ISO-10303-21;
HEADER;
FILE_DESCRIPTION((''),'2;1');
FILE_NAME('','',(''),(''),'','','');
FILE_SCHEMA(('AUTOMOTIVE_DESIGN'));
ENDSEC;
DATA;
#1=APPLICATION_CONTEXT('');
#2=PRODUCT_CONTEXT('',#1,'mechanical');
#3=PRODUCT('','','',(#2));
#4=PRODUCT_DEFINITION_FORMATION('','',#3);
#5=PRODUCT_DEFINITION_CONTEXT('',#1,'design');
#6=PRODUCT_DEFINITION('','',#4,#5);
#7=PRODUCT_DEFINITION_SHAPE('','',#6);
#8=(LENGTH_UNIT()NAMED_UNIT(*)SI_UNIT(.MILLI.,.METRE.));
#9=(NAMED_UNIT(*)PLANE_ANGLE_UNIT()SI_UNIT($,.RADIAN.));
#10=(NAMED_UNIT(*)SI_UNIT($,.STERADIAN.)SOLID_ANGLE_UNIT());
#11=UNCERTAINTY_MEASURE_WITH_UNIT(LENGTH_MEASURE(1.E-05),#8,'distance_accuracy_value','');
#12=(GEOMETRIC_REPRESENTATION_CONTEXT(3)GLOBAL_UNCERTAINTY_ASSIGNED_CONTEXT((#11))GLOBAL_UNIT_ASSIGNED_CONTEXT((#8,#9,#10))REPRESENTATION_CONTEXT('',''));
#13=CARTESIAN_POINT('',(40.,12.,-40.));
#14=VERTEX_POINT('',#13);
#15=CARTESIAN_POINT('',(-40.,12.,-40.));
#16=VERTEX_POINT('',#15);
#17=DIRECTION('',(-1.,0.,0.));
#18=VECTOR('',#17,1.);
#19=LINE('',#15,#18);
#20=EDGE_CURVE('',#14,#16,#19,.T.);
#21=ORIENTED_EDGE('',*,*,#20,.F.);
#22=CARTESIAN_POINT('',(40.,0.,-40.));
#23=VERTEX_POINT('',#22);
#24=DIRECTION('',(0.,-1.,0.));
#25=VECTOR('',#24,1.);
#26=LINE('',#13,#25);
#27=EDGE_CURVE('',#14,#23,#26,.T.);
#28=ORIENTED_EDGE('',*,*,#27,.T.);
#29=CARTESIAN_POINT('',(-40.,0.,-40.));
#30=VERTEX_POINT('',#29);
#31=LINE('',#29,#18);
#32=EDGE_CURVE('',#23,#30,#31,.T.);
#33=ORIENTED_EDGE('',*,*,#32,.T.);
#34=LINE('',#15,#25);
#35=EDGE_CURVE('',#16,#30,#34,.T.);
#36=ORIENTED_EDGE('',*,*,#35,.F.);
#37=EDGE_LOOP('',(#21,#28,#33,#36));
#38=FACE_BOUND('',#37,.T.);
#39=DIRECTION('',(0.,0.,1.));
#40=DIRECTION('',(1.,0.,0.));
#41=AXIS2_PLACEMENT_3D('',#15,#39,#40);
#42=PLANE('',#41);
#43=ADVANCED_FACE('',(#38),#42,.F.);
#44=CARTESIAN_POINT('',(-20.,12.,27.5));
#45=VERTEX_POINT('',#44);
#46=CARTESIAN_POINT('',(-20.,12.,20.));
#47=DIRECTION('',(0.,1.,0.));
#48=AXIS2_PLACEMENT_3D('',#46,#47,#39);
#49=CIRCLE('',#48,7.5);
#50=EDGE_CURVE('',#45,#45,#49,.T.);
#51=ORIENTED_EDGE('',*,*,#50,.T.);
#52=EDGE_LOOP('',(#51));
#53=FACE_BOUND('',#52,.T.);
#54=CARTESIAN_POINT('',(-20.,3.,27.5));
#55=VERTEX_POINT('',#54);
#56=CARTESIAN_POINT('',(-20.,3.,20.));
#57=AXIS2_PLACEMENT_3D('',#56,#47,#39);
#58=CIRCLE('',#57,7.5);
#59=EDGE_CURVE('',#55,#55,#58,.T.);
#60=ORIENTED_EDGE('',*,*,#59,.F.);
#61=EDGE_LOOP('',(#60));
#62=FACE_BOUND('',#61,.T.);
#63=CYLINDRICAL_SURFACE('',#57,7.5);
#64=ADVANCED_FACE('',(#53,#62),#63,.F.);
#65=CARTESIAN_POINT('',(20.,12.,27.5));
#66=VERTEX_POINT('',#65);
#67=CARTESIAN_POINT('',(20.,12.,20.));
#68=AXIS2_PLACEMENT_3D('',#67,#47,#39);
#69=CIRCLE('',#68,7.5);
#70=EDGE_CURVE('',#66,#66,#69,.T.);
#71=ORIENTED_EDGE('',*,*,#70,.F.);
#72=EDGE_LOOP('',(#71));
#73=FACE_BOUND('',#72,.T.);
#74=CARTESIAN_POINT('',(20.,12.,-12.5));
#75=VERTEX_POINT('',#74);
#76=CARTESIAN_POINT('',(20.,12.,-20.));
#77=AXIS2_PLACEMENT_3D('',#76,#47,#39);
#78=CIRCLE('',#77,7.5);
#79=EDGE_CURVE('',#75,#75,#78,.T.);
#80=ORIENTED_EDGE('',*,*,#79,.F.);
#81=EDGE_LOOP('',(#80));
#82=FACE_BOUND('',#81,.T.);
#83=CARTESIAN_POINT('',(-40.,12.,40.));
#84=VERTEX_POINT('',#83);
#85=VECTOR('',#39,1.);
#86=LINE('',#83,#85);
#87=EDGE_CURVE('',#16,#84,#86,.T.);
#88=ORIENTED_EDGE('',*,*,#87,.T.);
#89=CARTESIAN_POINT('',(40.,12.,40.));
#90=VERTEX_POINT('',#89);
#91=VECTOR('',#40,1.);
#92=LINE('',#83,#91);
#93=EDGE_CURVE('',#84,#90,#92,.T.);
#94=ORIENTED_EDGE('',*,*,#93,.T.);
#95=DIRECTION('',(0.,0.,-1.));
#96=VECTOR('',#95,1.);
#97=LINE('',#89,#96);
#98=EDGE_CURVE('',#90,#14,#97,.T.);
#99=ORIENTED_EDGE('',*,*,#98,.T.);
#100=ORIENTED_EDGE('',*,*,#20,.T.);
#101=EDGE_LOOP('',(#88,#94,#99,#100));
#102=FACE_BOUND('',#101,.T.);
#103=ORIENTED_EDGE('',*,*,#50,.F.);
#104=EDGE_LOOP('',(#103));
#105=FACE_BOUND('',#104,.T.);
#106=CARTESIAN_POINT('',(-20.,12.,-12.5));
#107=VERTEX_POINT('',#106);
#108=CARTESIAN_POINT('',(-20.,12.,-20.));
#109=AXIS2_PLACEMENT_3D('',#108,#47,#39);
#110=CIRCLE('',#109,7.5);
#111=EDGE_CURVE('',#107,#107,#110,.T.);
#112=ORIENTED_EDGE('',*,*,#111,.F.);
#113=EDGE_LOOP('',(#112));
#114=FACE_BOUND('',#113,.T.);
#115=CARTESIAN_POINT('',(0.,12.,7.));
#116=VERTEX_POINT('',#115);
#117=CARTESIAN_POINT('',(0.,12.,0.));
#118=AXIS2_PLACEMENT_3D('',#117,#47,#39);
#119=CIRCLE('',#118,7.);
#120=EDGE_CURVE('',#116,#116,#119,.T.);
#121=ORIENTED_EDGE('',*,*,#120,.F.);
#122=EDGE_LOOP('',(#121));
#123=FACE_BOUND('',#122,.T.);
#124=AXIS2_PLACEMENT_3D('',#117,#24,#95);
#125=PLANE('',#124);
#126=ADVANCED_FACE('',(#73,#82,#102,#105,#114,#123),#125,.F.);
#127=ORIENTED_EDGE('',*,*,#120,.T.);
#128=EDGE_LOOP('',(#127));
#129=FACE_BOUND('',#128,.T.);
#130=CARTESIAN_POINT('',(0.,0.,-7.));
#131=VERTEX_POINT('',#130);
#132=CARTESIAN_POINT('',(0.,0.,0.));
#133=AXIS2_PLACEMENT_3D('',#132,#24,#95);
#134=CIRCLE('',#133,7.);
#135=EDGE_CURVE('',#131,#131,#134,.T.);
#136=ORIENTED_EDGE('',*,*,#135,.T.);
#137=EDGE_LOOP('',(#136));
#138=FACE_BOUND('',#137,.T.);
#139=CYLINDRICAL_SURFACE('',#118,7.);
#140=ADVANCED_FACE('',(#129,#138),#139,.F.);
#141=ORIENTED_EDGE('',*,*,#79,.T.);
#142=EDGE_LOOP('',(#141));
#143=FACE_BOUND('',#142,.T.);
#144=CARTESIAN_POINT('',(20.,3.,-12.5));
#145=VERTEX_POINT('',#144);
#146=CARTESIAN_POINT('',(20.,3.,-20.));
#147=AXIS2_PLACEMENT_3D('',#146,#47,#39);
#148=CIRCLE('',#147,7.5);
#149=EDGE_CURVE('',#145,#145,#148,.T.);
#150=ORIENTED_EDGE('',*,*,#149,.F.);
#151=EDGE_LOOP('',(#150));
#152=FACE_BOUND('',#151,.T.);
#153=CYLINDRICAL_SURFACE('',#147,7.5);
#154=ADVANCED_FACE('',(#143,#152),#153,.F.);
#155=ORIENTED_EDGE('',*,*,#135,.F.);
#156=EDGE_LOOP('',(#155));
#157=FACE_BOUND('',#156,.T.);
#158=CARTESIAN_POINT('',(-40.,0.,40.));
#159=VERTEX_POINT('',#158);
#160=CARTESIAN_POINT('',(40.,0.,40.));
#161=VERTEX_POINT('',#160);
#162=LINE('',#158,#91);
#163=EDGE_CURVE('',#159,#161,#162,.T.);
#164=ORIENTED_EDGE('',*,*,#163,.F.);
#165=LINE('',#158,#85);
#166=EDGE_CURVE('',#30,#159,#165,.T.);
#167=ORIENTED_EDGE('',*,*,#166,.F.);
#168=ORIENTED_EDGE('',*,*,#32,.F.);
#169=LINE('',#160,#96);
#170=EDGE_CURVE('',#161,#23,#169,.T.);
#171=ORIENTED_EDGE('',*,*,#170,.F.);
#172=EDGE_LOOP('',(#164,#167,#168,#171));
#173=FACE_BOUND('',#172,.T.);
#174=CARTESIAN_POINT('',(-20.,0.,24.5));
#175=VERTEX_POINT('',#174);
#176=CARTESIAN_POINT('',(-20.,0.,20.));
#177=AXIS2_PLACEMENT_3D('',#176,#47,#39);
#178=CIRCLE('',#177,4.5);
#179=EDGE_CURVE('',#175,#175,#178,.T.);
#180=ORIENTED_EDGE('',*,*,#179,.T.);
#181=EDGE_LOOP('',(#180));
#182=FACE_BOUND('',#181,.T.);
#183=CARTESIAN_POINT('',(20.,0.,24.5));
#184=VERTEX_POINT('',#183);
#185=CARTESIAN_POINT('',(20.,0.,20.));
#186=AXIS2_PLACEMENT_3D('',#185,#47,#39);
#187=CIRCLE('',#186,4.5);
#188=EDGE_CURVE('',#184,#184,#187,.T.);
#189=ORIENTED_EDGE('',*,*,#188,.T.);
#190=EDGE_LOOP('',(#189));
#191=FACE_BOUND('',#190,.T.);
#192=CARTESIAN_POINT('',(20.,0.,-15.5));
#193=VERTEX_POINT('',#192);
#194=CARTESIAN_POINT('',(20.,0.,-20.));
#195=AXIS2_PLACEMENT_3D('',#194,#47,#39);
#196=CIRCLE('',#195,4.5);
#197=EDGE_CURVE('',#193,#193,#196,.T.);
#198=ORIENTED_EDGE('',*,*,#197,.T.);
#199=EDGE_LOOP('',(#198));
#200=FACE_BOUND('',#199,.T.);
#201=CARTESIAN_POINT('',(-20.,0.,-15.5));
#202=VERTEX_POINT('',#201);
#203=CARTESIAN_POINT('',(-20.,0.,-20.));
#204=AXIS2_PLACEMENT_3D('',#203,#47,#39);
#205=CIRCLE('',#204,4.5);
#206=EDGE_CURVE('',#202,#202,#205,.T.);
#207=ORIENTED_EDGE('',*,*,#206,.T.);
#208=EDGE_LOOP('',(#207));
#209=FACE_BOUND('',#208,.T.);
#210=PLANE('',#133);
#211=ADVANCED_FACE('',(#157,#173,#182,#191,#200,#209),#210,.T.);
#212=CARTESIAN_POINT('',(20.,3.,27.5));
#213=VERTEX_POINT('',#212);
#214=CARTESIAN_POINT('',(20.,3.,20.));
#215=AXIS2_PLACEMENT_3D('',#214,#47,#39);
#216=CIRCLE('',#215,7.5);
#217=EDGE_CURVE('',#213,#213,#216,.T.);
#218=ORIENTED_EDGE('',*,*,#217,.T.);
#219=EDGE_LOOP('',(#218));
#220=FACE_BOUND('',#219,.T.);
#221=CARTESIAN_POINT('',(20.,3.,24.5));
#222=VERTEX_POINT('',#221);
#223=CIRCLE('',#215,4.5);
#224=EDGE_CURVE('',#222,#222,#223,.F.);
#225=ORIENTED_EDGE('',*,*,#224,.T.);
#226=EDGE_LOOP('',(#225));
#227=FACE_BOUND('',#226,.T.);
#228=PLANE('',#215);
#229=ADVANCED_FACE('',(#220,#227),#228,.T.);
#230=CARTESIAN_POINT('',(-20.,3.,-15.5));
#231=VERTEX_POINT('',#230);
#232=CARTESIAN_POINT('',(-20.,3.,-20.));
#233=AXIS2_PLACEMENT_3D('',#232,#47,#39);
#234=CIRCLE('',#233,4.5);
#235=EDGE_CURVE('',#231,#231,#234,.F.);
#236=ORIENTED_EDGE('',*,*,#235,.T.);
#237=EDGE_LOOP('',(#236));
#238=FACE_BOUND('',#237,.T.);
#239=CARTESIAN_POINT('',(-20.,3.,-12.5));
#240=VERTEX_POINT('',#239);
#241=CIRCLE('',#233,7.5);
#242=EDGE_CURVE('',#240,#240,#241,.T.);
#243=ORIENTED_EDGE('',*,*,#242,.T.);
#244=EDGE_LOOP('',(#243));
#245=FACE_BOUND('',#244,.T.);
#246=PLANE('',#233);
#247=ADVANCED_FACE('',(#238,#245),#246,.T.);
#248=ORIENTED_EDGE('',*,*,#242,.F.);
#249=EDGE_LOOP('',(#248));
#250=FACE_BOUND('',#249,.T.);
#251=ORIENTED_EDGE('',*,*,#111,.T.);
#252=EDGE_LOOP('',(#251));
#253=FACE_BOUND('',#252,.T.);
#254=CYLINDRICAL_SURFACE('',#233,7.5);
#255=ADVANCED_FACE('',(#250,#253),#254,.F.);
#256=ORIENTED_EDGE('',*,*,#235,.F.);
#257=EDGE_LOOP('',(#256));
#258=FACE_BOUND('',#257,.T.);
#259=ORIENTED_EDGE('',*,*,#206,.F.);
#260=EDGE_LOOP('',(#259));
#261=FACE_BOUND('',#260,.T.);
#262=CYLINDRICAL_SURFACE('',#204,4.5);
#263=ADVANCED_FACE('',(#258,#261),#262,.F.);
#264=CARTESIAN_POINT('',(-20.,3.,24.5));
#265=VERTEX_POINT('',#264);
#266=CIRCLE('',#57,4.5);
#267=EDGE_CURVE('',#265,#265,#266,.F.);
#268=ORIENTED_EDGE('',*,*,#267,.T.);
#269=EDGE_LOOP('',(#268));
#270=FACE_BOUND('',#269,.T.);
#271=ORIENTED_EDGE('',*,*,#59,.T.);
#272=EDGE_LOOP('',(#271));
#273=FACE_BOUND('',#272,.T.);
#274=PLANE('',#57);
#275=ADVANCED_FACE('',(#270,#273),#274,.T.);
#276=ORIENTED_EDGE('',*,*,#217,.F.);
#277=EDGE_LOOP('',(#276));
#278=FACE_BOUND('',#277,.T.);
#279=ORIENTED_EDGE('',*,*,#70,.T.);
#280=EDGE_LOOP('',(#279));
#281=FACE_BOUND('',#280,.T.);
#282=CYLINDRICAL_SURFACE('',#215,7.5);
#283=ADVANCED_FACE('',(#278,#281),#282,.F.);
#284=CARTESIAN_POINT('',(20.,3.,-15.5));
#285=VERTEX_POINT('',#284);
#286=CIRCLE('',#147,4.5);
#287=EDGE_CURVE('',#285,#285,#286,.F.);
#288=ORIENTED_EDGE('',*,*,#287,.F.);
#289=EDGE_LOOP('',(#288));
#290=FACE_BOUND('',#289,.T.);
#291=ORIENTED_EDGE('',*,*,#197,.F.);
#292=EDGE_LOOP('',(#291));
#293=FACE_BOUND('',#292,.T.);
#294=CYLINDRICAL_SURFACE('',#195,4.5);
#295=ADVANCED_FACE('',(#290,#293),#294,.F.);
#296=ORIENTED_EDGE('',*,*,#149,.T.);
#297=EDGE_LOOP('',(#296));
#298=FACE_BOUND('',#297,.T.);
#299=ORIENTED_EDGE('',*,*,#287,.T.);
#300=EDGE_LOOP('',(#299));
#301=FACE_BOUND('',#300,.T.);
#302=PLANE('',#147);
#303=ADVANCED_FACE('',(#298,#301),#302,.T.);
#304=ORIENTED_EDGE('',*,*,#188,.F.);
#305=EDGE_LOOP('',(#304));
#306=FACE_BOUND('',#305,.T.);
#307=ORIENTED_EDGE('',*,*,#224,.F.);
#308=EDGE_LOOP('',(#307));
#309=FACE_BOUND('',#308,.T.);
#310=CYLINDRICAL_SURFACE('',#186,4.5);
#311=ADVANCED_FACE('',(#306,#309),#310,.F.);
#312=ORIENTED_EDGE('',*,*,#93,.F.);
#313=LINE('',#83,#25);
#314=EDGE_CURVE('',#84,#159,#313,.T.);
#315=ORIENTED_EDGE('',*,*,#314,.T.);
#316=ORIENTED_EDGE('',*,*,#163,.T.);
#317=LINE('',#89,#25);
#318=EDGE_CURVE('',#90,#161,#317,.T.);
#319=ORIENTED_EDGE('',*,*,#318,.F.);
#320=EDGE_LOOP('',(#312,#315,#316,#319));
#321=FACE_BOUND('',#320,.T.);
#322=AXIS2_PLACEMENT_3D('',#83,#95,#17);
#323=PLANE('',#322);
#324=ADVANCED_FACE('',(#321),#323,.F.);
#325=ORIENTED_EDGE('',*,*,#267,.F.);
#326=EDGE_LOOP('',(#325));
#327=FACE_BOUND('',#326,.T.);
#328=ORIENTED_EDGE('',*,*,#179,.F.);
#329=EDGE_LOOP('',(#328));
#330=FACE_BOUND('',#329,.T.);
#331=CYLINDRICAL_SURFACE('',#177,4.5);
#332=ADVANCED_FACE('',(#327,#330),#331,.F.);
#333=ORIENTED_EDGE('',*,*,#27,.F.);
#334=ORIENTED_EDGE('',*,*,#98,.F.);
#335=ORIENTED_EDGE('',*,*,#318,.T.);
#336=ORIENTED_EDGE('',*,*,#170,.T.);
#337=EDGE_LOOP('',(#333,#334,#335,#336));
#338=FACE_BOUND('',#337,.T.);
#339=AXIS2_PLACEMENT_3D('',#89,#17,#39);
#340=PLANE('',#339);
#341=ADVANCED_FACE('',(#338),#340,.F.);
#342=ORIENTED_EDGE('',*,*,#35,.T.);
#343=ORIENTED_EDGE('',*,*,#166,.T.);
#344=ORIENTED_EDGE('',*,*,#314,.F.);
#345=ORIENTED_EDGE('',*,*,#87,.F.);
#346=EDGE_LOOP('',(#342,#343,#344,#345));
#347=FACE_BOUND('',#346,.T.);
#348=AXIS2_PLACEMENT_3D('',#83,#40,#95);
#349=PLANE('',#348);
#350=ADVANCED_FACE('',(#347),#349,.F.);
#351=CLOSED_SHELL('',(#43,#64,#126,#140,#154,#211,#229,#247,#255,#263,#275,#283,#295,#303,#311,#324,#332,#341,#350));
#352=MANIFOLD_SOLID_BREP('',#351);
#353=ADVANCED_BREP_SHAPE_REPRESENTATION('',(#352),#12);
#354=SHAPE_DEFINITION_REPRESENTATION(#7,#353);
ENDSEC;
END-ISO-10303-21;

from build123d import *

# Parameters (mm, degrees)
SKETCH_1_W             = 80
SKETCH_1_H             = 80
EXTRUDE_1_DEPTH        = 12
HOLE_WIZARD_M161_D     = 14
HOLE_WIZARD_M161_DEPTH = 12
SKETCH_12_R            = 4.5
CUT_EXTRUDE_1_DEPTH    = 13
SKETCH_13_R            = 7.5
CUT_EXTRUDE_2_DEPTH    = 9


with BuildPart() as part:
    # Эскиз1 → Бобышка-Вытянуть1 (new body)
    with BuildSketch(Plane(origin=(0, 0, 0), x_dir=(1, 0, 0), z_dir=(0, 1, 0))):
        Rectangle(SKETCH_1_W, SKETCH_1_H)
    extrude(amount=EXTRUDE_1_DEPTH)

    # Отверстие обработанное метчиком M161
    with Locations(Plane(origin=(0, 12, 0), x_dir=(1, 0, 0), z_dir=(0, 1, 0))):
        with Locations((0, 0)):
            Hole(HOLE_WIZARD_M161_D / 2, depth=HOLE_WIZARD_M161_DEPTH)

    # Эскиз12 → Вырез-Вытянуть1 (cut, through all)
    with BuildSketch(Plane(origin=(0, 12, 0), x_dir=(1, 0, 0), z_dir=(0, 1, 0))):
        with Locations(Location((-20, 20, 0), (0, 0, 270))):  # turned: the seam where the file's is
            Circle(SKETCH_12_R)
        with Locations(Location((20, 20, 0), (0, 0, 270))):  # turned: the seam where the file's is
            Circle(SKETCH_12_R)
        with Locations(Location((20, -20, 0), (0, 0, 270))):  # turned: the seam where the file's is
            Circle(SKETCH_12_R)
        with Locations(Location((-20, -20, 0), (0, 0, 270))):  # turned: the seam where the file's is
            Circle(SKETCH_12_R)
    extrude(amount=-CUT_EXTRUDE_1_DEPTH, mode=Mode.SUBTRACT)

    # Эскиз13 → Вырез-Вытянуть2 (cut)
    with BuildSketch(Plane(origin=(0, 12, 0), x_dir=(1, 0, 0), z_dir=(0, 1, 0))):
        with Locations(Location((-20, 20, 0), (0, 0, 270))):  # turned: the seam where the file's is
            Circle(SKETCH_13_R)
        with Locations(Location((20, 20, 0), (0, 0, 270))):  # turned: the seam where the file's is
            Circle(SKETCH_13_R)
        with Locations(Location((20, -20, 0), (0, 0, 270))):  # turned: the seam where the file's is
            Circle(SKETCH_13_R)
        with Locations(Location((-20, -20, 0), (0, 0, 270))):  # turned: the seam where the file's is
            Circle(SKETCH_13_R)
    extrude(amount=-CUT_EXTRUDE_2_DEPTH, mode=Mode.SUBTRACT)


solid = part.part
